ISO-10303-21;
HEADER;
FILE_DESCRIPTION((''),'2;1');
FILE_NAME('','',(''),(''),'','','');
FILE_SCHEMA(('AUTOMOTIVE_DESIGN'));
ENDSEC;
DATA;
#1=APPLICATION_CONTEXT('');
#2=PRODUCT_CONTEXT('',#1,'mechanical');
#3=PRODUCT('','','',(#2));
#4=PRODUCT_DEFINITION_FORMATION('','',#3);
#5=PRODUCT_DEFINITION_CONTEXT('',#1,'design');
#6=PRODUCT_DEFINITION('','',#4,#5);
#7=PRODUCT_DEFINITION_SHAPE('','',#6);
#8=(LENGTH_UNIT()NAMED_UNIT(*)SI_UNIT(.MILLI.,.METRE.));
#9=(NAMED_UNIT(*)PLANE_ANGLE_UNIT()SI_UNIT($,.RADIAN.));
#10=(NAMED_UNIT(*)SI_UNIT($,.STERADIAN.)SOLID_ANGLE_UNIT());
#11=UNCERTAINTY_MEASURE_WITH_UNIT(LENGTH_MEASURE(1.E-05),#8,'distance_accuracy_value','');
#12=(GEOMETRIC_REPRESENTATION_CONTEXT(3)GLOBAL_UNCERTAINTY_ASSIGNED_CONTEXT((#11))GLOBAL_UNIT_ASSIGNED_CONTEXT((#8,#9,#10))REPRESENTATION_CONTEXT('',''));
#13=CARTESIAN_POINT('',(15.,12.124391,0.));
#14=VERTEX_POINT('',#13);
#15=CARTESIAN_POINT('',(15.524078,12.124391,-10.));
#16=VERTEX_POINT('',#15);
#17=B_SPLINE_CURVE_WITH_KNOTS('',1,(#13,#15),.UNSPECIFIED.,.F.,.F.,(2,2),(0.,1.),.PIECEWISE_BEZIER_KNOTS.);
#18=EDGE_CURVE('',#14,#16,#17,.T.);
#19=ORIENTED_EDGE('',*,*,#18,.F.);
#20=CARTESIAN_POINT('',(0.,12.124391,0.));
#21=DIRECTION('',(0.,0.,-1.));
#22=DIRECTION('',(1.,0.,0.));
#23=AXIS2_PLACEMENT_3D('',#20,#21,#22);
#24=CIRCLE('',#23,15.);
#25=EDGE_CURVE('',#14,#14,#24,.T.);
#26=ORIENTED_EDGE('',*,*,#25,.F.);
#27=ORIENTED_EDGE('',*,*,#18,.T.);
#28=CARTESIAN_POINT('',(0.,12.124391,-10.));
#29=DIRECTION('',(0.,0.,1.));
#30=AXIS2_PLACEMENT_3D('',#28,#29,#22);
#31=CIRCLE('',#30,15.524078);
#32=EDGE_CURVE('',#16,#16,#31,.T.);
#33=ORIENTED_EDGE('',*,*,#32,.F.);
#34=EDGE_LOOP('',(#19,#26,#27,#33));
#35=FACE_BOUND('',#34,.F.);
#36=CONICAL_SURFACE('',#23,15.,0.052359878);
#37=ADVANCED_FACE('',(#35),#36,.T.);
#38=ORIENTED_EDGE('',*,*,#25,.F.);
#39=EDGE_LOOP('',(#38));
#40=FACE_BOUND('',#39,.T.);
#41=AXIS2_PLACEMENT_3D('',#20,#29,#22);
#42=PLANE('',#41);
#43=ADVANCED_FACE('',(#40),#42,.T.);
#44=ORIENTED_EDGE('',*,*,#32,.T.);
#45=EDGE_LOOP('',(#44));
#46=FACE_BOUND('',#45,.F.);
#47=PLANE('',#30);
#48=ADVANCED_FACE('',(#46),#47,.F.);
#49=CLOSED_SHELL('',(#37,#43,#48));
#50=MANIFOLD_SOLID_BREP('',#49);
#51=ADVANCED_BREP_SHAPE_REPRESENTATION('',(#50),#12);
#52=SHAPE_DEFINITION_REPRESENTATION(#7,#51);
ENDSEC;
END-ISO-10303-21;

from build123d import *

# Parameters (mm, degrees)
F0_R     = 15
F1_DEPTH = 10
F1_TAPER = -3


with BuildPart() as f1:
    # F0 (on Top) → F1 (new body)
    with BuildSketch(Plane.XY):
        with Locations((0, 12.1243912622)):
            Circle(F0_R)
    extrude(amount=-F1_DEPTH, taper=F1_TAPER)


solid = f1.part
